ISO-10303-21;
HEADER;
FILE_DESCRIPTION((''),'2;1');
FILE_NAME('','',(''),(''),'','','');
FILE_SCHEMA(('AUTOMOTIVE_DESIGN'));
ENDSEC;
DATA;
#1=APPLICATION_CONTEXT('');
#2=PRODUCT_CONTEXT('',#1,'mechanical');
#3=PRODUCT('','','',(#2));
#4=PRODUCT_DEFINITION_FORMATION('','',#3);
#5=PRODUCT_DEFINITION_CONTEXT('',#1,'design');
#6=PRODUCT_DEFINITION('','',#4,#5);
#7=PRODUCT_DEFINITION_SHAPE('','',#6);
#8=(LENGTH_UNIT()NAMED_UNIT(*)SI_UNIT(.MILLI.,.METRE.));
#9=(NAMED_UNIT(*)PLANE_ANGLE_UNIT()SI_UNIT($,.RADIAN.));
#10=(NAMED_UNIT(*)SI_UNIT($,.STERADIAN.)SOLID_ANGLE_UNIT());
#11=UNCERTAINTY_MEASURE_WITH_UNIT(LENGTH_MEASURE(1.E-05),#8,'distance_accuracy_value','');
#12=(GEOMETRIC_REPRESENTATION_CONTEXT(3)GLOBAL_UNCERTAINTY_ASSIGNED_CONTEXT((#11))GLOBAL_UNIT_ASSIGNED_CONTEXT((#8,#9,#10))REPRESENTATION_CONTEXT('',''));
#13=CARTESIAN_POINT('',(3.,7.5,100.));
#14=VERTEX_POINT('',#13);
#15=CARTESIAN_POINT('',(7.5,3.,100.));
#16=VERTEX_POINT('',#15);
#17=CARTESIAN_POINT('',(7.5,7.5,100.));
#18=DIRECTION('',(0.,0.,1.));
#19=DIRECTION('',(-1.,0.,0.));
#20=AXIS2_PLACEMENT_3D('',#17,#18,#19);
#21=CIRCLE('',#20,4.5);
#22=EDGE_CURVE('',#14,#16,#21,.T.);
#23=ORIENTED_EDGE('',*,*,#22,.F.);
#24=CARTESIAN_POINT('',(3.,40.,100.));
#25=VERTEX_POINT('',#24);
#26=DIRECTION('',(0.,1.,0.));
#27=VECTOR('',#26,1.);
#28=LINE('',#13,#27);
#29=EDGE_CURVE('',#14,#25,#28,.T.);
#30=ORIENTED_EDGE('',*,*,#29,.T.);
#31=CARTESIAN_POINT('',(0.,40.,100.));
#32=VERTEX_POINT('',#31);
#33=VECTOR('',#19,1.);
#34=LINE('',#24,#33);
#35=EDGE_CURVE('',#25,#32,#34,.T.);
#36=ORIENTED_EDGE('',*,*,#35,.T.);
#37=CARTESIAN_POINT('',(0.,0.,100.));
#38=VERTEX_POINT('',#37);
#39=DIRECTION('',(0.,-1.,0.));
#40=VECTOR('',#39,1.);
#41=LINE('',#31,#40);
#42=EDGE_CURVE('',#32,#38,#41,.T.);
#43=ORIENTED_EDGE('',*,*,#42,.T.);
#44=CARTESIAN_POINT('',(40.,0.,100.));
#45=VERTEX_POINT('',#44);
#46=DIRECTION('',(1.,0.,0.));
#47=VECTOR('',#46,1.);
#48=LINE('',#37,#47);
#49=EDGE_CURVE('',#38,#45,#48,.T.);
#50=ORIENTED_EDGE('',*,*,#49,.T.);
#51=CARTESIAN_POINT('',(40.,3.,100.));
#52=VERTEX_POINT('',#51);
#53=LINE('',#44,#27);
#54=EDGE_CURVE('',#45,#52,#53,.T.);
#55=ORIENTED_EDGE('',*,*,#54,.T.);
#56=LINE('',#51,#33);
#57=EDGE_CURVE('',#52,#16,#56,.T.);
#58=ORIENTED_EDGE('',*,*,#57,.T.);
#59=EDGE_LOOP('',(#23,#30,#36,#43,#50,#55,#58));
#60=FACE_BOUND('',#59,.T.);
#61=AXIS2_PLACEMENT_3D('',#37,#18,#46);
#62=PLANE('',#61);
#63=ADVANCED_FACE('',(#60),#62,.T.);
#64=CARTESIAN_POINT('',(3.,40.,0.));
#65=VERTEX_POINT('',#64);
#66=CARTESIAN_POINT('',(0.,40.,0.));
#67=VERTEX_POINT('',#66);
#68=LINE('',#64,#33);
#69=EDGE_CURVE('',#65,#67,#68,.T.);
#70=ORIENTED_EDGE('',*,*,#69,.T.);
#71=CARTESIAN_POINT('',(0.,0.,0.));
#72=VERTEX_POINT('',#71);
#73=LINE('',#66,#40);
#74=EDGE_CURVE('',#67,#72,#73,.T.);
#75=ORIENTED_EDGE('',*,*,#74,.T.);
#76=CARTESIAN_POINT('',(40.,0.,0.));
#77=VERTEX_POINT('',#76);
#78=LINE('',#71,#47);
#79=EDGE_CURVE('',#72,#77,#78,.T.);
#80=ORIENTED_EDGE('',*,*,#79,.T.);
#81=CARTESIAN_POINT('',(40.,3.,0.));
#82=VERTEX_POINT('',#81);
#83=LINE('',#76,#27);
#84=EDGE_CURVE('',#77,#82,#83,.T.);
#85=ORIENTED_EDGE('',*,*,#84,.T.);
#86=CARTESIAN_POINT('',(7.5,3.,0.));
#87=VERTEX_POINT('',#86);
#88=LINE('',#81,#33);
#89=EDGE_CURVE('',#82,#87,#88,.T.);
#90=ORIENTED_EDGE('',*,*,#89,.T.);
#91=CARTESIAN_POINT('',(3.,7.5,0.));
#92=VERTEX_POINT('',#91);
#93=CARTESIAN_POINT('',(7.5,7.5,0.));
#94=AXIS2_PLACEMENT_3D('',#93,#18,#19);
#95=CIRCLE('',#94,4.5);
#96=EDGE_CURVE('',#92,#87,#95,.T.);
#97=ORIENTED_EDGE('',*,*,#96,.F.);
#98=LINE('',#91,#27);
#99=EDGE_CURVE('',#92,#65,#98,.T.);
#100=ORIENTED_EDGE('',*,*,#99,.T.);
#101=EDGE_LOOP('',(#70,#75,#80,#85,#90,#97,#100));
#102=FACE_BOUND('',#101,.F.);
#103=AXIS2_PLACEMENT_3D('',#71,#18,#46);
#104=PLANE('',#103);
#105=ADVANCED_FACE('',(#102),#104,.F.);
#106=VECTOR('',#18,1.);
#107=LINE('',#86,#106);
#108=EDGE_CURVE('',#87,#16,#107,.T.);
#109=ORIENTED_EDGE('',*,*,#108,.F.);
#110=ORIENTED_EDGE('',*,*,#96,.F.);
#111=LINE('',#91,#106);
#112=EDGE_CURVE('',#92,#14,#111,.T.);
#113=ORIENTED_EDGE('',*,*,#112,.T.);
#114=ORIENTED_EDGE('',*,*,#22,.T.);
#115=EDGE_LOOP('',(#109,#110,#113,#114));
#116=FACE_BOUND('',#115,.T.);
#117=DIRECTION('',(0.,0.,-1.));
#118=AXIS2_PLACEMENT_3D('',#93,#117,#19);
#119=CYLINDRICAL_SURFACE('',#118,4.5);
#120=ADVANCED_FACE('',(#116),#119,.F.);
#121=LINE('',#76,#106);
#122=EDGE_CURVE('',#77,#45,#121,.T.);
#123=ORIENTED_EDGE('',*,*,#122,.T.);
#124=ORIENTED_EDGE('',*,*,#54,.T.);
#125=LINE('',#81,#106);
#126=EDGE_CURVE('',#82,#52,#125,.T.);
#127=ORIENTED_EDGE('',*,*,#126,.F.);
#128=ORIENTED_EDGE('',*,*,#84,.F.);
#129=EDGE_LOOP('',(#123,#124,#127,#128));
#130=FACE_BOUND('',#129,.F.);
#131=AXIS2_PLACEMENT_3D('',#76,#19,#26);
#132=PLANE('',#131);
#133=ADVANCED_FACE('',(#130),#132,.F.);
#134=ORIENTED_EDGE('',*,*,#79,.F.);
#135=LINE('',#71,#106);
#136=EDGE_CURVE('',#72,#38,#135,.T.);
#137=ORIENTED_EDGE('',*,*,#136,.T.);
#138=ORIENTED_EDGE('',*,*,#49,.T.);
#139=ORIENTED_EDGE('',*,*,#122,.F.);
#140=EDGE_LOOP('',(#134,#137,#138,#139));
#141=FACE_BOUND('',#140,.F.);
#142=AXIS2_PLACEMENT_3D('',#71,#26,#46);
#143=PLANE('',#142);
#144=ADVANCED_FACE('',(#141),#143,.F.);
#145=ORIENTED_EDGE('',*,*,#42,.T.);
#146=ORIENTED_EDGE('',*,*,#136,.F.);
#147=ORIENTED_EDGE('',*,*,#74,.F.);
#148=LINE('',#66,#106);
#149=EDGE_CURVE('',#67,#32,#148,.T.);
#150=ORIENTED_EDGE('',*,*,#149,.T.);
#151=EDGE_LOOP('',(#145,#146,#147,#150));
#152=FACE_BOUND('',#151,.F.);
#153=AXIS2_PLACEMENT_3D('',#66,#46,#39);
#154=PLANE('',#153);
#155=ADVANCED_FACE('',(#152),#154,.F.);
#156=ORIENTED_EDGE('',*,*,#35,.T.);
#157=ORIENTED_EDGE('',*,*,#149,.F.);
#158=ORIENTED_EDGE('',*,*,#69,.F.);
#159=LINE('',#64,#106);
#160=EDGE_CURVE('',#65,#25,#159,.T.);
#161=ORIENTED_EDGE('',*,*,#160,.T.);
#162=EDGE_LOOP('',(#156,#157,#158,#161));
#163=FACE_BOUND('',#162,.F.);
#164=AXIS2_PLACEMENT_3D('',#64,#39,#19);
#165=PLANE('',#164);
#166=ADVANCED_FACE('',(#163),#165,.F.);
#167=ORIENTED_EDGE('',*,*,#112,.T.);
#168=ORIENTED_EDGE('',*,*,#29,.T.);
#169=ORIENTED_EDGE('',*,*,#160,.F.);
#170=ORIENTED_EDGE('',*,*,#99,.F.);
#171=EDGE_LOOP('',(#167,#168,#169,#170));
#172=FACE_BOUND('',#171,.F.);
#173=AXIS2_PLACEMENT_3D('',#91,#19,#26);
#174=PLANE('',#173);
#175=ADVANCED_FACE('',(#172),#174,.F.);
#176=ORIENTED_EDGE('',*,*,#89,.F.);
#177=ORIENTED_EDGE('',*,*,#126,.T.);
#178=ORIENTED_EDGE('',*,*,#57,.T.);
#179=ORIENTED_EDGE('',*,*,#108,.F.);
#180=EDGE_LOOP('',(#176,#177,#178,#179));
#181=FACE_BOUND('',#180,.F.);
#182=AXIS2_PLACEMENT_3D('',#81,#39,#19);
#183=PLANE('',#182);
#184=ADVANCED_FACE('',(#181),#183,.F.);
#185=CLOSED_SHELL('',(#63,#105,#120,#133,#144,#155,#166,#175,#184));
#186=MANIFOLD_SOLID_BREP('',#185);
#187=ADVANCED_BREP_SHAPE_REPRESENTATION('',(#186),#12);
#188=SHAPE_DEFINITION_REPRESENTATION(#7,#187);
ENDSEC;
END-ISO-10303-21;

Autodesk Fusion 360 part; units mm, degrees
sketch "スケッチ1" plane through (0, 0, 0) normal (0, 0, 1) x (1, 0, 0)
  line L0 (40, 3) -> (7.5, 3)
  line L1 (0, 0) -> (40, 0)
  line L2 (0, 40) -> (0, 0)
  line L3 (3, 7.5) -> (3, 40)
  arc A0 (3, 7.5) -> (7.5, 3) centre (7.5, 7.5) ccw
  line L4 (3, 40) -> (0, 40)
  line L5 (40, 0) -> (40, 3)
extrude "押し出し1" add sketch "スケッチ1" along normal blind 100
